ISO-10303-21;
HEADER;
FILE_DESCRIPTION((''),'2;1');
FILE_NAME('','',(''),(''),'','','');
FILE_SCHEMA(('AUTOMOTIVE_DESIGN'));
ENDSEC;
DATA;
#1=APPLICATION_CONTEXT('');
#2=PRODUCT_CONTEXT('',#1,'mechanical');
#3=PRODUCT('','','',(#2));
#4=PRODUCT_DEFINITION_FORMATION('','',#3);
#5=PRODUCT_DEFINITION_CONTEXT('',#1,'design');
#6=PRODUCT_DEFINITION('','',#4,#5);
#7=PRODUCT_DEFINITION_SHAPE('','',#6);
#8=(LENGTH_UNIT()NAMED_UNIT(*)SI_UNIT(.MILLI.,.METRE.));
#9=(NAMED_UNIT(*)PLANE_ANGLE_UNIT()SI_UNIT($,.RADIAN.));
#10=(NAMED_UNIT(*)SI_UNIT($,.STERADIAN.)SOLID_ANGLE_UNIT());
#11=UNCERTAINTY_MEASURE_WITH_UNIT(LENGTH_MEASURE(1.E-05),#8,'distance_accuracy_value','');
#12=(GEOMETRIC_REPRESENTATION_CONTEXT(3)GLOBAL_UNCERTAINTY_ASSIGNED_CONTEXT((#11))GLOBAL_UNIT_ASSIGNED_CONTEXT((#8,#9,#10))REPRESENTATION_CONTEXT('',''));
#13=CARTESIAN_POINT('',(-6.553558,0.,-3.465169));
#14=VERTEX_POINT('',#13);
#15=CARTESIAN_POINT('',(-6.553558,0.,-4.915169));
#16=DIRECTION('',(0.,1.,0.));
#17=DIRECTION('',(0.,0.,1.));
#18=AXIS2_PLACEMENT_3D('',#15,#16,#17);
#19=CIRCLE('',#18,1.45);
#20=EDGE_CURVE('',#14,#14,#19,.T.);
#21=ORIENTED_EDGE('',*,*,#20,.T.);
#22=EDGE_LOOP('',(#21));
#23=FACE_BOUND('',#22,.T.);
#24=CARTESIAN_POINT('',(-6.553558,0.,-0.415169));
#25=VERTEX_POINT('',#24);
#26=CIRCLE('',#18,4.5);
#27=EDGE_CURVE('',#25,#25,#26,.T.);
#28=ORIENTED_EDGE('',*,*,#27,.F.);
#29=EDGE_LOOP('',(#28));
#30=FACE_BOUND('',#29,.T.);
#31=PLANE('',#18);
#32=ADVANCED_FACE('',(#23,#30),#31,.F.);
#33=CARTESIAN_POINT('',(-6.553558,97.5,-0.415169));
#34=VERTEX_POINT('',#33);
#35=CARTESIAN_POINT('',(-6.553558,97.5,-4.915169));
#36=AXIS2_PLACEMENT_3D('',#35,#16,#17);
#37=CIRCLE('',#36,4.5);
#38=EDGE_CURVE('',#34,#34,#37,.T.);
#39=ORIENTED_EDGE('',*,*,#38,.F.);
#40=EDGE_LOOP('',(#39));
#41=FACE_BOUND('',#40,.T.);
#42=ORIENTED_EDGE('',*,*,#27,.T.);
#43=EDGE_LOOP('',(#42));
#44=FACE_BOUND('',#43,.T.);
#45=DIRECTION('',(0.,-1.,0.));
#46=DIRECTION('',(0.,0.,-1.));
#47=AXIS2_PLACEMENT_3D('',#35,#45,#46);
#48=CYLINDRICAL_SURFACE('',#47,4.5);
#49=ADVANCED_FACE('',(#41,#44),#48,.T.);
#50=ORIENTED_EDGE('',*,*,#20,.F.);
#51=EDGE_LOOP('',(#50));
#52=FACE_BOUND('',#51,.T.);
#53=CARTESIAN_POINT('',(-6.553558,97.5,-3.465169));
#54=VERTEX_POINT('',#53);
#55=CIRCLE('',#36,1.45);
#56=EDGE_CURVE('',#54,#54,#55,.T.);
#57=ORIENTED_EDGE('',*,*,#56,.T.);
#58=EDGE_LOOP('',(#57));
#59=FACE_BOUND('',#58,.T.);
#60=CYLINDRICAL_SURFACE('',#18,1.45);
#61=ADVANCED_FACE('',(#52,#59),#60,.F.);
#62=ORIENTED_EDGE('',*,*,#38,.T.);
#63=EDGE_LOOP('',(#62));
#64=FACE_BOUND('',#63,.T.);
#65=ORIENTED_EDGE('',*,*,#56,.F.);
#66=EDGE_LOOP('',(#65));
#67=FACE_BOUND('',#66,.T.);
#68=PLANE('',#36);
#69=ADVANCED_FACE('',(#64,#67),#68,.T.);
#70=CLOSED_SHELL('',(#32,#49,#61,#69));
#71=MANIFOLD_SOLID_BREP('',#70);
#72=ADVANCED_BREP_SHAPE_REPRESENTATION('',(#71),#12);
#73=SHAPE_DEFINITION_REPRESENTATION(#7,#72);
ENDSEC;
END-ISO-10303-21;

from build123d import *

# Parameters (mm, degrees)
SKETCH1_R           = 4.5
BOSS_EXTRUDE1_DEPTH = 97.5
SKETCH2_R           = 1.45
CUT_EXTRUDE1_DEPTH  = 97.5


with BuildPart() as part:
    # Sketch1 → Boss-Extrude1 (new body)
    with BuildSketch(Plane(origin=(0, 0, 0), x_dir=(1, 0, 0), z_dir=(0, 1, 0))):
        with Locations(Location((-6.553558128, 4.915168596, 0), (0, 0, 270))):
            Circle(SKETCH1_R)
    extrude(amount=BOSS_EXTRUDE1_DEPTH)

    # Sketch2 → Cut-Extrude1 (cut)
    with BuildSketch(Plane(origin=(0, 97.5, 0), x_dir=(1, 0, 0), z_dir=(0, 1, 0))):
        with Locations(Location((-6.553558128, 4.915168596, 0), (0, 0, 270))):
            Circle(SKETCH2_R)
    extrude(amount=-CUT_EXTRUDE1_DEPTH, mode=Mode.SUBTRACT)


solid = part.part
